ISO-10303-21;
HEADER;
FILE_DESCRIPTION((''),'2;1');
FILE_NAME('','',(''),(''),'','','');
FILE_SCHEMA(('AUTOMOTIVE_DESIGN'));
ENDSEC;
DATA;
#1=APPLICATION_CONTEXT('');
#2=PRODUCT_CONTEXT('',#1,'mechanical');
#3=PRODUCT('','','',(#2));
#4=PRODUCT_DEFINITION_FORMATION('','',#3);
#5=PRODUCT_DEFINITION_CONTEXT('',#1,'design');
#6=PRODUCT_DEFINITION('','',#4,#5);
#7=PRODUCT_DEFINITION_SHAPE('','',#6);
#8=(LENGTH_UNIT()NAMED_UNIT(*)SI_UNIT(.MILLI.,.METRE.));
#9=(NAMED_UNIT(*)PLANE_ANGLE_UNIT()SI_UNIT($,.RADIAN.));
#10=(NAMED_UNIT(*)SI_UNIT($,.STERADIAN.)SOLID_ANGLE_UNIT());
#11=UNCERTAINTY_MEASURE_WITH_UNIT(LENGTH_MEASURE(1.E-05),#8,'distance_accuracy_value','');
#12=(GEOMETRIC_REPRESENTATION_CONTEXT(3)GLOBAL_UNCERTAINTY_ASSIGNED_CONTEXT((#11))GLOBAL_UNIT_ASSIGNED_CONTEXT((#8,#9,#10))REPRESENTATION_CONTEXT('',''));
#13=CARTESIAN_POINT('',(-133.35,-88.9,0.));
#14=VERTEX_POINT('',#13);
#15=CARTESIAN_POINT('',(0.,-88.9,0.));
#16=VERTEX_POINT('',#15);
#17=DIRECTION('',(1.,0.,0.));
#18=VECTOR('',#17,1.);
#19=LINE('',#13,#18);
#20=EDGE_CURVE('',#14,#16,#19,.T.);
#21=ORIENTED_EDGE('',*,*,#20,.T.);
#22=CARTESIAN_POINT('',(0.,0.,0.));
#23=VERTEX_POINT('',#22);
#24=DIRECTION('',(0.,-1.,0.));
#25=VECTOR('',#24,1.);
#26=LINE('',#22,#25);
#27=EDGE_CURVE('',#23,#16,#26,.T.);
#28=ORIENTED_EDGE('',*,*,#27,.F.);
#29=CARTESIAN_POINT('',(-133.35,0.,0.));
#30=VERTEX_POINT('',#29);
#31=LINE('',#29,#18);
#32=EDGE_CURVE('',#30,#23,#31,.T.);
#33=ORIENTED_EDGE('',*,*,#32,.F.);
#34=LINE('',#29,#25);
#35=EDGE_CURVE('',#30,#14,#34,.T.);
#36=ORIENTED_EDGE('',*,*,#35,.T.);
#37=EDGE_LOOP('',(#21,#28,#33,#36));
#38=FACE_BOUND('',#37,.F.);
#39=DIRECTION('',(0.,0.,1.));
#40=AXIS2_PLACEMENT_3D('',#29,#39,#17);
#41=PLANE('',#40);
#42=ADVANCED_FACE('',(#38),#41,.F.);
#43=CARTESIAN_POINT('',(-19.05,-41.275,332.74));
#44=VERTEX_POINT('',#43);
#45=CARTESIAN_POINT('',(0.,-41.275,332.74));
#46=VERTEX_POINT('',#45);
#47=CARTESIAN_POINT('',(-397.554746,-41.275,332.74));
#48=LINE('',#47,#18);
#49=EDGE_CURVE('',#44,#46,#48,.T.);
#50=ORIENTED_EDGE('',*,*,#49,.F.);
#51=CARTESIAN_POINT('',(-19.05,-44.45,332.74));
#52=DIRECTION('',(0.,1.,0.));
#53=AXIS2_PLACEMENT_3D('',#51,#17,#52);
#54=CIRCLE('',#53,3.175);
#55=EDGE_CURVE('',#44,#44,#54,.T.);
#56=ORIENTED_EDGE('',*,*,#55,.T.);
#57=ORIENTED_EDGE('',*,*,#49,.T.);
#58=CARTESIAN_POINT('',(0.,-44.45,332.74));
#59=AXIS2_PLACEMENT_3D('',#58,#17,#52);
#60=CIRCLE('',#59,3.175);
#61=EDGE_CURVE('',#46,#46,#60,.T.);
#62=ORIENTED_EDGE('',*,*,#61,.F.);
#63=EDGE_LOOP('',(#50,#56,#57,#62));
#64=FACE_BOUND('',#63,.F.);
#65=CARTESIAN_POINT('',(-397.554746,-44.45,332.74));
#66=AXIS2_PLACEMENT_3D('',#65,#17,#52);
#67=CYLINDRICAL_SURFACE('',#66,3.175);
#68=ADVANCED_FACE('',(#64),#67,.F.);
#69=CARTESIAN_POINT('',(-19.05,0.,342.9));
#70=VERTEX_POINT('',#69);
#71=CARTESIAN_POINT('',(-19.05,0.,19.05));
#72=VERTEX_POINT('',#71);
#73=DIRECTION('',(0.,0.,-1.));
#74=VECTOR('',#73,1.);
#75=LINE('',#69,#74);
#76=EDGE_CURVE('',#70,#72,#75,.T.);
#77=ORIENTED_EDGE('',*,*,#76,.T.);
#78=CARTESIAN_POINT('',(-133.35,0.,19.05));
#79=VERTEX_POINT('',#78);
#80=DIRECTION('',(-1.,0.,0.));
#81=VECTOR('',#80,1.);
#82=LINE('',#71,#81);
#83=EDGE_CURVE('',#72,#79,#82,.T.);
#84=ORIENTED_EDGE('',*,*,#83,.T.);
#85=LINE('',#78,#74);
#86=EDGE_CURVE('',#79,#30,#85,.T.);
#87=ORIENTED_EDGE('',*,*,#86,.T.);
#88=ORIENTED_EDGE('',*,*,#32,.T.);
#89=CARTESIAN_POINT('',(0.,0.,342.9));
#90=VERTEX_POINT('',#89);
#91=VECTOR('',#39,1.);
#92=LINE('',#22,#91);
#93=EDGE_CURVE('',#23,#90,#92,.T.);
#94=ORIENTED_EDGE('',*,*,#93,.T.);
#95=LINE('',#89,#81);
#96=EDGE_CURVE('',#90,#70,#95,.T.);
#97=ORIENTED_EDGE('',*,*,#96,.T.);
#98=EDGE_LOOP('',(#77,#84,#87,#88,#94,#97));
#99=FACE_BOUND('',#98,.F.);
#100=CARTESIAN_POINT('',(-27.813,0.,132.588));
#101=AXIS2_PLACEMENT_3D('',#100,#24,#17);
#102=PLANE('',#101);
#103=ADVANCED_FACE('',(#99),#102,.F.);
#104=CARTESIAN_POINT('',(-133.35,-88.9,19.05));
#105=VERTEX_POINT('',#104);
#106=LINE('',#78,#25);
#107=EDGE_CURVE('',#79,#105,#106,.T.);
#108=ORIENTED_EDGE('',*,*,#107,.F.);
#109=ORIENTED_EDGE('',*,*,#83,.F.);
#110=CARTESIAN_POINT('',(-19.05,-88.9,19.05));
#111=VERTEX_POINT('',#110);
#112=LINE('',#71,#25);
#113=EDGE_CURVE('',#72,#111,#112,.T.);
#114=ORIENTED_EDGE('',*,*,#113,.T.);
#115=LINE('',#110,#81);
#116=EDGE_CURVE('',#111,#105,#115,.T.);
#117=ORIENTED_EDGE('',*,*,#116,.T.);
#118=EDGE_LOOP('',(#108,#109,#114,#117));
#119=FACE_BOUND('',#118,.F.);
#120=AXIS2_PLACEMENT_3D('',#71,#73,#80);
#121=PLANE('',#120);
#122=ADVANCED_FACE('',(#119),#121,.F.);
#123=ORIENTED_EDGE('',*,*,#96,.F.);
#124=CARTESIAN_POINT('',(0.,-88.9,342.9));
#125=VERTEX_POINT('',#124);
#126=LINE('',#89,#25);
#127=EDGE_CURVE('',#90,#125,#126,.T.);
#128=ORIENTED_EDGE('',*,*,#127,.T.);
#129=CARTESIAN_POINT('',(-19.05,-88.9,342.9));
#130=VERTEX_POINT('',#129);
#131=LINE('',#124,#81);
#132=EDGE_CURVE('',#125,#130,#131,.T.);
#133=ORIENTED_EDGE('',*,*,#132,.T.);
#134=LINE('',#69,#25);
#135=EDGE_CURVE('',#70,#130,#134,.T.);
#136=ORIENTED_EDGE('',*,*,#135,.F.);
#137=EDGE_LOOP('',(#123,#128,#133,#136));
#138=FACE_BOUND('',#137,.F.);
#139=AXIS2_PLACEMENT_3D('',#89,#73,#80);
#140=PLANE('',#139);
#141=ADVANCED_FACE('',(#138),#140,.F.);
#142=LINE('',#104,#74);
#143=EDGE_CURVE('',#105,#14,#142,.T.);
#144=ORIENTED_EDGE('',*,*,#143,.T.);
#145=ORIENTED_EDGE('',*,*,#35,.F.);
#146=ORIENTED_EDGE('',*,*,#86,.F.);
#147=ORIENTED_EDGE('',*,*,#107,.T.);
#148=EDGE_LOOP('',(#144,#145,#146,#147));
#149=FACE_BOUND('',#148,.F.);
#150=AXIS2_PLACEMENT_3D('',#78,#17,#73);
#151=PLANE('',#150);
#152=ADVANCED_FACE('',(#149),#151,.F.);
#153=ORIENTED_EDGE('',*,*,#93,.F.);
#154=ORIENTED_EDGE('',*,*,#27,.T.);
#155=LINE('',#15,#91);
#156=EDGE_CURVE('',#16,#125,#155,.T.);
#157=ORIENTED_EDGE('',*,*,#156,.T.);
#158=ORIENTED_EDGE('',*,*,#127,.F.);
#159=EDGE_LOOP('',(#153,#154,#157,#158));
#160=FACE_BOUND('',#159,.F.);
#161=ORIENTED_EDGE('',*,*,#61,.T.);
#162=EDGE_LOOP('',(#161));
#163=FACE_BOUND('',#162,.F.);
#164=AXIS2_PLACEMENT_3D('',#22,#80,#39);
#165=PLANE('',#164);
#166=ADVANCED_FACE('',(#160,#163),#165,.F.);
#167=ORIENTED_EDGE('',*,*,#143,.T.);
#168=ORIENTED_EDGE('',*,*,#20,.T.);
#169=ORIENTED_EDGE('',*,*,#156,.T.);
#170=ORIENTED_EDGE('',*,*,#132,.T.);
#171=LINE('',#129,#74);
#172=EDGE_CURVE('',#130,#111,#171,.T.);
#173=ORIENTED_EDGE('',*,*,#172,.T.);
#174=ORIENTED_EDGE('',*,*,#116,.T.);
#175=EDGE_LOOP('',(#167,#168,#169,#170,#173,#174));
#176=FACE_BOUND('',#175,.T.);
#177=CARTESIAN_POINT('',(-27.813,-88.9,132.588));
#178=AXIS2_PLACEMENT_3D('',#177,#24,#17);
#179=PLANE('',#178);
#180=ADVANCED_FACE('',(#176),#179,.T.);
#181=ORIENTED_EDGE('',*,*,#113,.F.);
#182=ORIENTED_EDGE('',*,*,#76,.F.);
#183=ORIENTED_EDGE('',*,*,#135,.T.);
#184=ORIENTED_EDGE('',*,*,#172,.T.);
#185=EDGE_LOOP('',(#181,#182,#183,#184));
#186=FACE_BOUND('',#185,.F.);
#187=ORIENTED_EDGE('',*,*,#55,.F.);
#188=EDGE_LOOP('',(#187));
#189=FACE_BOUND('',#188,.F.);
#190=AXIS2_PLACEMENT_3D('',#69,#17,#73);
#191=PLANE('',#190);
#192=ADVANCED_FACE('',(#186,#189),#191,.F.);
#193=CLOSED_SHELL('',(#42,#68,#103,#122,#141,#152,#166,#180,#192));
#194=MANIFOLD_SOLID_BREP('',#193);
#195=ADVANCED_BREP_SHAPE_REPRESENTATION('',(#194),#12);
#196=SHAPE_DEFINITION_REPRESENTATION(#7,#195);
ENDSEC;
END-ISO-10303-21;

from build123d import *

# Parameters (mm, degrees)
F1_DEPTH = 88.9
F3_D     = 6.35


with BuildPart() as f1:
    # F0 (on Front) → F1 (new body)
    with BuildSketch(Plane.XZ):
        Polygon((-133.35, 0), (0, 0), (0, 342.9), (-19.05, 342.9), (-19.05, 19.05), (-133.35, 19.05), align=None)
    extrude(amount=F1_DEPTH)

    # F3 (through all)
    with Locations(Plane(origin=(-19.05, 0, 0), x_dir=(0, -1, 0), z_dir=(-1, 0, 0))):
        with Locations((44.45, 332.74)):
            Hole(F3_D / 2)


solid = f1.part
